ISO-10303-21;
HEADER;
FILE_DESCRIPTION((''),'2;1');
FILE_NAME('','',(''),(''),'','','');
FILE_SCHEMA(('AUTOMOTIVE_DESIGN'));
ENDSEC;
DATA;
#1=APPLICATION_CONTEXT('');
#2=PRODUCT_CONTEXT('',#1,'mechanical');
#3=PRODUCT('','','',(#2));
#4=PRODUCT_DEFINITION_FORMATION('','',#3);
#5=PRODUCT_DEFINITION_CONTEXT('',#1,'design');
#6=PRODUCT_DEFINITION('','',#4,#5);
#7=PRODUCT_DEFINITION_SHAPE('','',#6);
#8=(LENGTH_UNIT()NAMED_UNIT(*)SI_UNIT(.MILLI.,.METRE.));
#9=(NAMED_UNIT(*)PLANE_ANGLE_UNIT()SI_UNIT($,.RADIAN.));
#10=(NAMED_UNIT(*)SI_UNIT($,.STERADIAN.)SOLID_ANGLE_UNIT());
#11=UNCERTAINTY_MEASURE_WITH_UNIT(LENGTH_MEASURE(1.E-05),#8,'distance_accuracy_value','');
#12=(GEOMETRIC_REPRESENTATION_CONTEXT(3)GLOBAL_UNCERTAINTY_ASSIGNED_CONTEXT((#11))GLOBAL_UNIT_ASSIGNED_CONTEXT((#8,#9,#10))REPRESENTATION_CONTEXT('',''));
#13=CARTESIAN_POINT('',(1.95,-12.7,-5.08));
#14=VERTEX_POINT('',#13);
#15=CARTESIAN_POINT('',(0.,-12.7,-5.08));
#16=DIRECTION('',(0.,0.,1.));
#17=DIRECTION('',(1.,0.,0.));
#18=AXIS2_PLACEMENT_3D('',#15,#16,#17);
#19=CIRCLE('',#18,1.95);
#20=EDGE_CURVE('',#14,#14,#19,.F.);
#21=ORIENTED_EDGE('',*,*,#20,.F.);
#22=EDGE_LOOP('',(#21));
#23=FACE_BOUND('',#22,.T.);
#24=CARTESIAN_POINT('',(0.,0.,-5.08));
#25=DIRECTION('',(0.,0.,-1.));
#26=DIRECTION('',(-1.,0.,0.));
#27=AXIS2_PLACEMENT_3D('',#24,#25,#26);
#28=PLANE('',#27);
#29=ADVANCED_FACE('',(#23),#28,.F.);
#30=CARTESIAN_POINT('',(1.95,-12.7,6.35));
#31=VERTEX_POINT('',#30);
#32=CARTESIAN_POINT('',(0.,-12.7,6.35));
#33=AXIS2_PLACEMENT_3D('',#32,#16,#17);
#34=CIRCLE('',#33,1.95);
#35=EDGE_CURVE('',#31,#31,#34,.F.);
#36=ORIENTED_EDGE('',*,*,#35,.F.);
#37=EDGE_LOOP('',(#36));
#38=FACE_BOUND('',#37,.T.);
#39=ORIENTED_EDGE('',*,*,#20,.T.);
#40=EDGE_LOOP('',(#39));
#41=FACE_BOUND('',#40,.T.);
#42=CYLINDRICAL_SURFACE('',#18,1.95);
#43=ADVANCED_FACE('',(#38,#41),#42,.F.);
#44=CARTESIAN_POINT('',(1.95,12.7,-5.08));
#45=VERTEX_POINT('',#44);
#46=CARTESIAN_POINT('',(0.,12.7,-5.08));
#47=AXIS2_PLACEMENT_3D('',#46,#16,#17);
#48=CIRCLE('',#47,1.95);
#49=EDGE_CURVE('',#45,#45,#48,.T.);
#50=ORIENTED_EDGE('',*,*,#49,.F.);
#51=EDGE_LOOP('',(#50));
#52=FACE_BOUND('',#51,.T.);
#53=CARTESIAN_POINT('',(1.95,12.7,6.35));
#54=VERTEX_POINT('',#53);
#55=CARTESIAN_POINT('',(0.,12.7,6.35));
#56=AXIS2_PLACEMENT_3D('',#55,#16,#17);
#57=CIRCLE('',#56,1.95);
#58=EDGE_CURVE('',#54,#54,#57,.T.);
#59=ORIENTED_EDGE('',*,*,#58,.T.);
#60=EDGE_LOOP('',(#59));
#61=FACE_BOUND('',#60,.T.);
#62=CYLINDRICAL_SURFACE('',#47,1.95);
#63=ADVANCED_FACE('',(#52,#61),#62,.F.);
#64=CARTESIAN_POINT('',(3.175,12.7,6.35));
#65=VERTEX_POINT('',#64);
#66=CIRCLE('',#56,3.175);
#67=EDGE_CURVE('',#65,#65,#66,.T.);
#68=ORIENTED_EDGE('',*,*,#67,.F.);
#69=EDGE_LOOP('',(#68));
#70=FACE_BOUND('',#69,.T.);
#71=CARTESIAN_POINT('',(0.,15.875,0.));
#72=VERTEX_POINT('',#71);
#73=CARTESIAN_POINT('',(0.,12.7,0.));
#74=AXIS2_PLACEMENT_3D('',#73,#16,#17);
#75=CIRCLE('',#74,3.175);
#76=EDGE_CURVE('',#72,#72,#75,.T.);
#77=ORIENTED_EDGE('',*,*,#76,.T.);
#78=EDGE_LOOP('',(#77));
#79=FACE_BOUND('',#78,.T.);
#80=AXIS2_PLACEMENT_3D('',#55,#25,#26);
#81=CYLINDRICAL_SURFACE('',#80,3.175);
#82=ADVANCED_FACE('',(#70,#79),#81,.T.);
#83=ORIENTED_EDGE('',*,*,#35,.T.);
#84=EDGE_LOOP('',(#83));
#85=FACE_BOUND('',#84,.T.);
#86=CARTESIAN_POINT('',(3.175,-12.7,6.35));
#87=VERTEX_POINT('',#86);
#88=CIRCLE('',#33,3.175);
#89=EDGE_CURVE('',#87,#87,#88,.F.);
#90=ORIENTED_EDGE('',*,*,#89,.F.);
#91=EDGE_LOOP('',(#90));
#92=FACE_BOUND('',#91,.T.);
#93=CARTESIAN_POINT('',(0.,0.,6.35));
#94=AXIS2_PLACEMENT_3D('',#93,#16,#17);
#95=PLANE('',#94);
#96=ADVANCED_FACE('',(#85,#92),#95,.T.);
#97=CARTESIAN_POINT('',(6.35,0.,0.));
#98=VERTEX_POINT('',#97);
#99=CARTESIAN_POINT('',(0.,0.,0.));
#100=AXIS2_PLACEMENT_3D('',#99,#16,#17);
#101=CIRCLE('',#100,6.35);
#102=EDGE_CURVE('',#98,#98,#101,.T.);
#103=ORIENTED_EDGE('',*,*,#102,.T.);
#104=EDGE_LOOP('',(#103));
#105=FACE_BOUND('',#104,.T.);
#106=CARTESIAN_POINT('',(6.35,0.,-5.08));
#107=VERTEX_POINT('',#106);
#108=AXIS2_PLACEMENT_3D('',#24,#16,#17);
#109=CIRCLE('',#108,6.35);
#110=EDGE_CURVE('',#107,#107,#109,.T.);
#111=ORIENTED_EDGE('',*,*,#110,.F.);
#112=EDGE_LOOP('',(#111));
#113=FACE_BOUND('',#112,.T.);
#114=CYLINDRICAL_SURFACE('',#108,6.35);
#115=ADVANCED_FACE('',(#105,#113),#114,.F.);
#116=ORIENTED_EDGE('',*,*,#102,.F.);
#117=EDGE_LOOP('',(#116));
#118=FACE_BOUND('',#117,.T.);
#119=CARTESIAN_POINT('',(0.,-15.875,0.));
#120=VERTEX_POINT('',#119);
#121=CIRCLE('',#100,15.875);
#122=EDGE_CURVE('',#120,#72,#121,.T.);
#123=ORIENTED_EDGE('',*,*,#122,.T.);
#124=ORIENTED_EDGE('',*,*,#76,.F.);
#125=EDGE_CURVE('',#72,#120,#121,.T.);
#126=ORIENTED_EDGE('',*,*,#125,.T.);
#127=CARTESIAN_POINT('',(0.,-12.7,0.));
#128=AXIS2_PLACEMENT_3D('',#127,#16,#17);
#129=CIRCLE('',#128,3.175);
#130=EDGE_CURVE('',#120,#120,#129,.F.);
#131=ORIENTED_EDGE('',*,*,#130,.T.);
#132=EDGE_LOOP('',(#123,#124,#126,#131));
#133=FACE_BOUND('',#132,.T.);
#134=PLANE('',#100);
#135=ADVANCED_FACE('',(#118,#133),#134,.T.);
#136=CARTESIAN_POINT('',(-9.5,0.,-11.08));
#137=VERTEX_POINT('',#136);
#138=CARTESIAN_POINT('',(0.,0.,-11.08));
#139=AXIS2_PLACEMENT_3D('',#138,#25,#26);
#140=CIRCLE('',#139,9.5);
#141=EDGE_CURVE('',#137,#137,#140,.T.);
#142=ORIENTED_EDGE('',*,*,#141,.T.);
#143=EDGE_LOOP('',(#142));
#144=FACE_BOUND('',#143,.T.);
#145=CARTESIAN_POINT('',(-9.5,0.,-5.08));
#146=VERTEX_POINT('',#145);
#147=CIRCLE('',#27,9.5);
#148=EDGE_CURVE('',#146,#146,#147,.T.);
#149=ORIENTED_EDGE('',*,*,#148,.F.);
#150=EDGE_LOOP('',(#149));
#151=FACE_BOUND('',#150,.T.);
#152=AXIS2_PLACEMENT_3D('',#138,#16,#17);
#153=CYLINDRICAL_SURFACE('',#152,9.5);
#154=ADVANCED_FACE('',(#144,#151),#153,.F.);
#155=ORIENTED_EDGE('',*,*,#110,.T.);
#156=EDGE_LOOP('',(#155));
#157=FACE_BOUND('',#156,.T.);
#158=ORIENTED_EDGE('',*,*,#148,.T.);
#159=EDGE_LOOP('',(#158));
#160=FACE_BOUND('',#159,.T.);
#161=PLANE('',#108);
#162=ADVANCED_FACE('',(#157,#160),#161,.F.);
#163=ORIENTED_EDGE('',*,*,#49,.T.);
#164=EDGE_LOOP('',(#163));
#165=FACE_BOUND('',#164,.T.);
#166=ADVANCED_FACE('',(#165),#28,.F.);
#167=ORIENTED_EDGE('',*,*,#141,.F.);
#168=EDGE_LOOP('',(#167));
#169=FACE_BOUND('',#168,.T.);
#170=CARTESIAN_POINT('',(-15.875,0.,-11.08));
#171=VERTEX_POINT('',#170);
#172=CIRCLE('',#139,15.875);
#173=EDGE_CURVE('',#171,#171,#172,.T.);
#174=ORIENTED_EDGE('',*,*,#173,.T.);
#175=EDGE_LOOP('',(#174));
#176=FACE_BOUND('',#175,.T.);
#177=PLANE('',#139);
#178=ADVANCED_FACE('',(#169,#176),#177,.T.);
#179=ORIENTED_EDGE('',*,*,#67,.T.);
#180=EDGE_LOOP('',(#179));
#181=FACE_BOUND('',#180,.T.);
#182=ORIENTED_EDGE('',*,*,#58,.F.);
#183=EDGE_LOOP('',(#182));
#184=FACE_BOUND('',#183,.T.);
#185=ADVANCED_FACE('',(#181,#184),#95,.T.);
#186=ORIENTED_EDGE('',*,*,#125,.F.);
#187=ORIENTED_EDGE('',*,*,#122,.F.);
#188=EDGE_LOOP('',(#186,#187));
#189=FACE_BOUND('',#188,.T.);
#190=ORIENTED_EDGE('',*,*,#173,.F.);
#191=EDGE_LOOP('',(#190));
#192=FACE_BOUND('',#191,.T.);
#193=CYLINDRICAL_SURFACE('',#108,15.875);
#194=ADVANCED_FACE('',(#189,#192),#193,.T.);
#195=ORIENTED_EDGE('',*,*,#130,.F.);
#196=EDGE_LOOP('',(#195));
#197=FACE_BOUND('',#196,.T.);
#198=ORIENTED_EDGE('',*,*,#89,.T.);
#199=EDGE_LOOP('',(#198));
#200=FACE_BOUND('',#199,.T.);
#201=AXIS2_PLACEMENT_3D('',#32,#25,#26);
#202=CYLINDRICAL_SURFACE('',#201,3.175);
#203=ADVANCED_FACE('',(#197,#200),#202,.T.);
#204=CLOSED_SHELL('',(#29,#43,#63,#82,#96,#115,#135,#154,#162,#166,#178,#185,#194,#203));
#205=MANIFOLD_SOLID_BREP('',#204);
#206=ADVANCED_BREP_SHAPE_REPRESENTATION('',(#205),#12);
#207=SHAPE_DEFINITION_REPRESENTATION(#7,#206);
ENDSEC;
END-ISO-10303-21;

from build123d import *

# Parameters (mm, degrees)
SKETCH1_R           = 15.875
SKETCH1_R_2         = 1.95
SKETCH1_R_3         = 6.35
BOSS_EXTRUDE1_DEPTH = 5.08
BOSS_EXTRUDE2_START = 6.35
SKETCH1_3_R         = 3.175
SKETCH1_3_R_2       = 1.95
BOSS_EXTRUDE2_DEPTH = 6.35
SKETCH2_R           = 15.875
SKETCH2_R_2         = 9.5
BOSS_EXTRUDE3_DEPTH = 6


with BuildPart() as part:
    # Sketch1 → Boss-Extrude1 (new body)
    with BuildSketch(Plane.XY):
        Circle(SKETCH1_R)
        with Locations((0, 12.7)):
            Circle(SKETCH1_R_2, mode=Mode.SUBTRACT)
        Circle(SKETCH1_R_3, mode=Mode.SUBTRACT)
        with Locations((0, -12.7)):
            Circle(SKETCH1_R_2, mode=Mode.SUBTRACT)
    extrude(amount=-BOSS_EXTRUDE1_DEPTH)

    # Sketch1<3> → Boss-Extrude2 (add)
    # profile 1 of 2: a face of its own
    with BuildSketch(Plane.XY.offset(BOSS_EXTRUDE2_START)):
        with Locations((0, 12.7)):
            Circle(SKETCH1_3_R)
        with Locations((0, 12.7)):
            Circle(SKETCH1_3_R_2, mode=Mode.SUBTRACT)
    # profile 2 of 2: a face of its own
    with BuildSketch(Plane.XY.offset(BOSS_EXTRUDE2_START)):
        with Locations((0, -12.7)):
            Circle(SKETCH1_3_R)
        with Locations((0, -12.7)):
            Circle(SKETCH1_3_R_2, mode=Mode.SUBTRACT)
    extrude(amount=-BOSS_EXTRUDE2_DEPTH)

    # Sketch2 → Boss-Extrude3 (add)
    with BuildSketch(Plane(origin=(0, 0, -5.08), x_dir=(-1, 0, 0), z_dir=(0, 0, -1))):
        Circle(SKETCH2_R)
        Circle(SKETCH2_R_2, mode=Mode.SUBTRACT)
    extrude(amount=BOSS_EXTRUDE3_DEPTH)


solid = part.part
